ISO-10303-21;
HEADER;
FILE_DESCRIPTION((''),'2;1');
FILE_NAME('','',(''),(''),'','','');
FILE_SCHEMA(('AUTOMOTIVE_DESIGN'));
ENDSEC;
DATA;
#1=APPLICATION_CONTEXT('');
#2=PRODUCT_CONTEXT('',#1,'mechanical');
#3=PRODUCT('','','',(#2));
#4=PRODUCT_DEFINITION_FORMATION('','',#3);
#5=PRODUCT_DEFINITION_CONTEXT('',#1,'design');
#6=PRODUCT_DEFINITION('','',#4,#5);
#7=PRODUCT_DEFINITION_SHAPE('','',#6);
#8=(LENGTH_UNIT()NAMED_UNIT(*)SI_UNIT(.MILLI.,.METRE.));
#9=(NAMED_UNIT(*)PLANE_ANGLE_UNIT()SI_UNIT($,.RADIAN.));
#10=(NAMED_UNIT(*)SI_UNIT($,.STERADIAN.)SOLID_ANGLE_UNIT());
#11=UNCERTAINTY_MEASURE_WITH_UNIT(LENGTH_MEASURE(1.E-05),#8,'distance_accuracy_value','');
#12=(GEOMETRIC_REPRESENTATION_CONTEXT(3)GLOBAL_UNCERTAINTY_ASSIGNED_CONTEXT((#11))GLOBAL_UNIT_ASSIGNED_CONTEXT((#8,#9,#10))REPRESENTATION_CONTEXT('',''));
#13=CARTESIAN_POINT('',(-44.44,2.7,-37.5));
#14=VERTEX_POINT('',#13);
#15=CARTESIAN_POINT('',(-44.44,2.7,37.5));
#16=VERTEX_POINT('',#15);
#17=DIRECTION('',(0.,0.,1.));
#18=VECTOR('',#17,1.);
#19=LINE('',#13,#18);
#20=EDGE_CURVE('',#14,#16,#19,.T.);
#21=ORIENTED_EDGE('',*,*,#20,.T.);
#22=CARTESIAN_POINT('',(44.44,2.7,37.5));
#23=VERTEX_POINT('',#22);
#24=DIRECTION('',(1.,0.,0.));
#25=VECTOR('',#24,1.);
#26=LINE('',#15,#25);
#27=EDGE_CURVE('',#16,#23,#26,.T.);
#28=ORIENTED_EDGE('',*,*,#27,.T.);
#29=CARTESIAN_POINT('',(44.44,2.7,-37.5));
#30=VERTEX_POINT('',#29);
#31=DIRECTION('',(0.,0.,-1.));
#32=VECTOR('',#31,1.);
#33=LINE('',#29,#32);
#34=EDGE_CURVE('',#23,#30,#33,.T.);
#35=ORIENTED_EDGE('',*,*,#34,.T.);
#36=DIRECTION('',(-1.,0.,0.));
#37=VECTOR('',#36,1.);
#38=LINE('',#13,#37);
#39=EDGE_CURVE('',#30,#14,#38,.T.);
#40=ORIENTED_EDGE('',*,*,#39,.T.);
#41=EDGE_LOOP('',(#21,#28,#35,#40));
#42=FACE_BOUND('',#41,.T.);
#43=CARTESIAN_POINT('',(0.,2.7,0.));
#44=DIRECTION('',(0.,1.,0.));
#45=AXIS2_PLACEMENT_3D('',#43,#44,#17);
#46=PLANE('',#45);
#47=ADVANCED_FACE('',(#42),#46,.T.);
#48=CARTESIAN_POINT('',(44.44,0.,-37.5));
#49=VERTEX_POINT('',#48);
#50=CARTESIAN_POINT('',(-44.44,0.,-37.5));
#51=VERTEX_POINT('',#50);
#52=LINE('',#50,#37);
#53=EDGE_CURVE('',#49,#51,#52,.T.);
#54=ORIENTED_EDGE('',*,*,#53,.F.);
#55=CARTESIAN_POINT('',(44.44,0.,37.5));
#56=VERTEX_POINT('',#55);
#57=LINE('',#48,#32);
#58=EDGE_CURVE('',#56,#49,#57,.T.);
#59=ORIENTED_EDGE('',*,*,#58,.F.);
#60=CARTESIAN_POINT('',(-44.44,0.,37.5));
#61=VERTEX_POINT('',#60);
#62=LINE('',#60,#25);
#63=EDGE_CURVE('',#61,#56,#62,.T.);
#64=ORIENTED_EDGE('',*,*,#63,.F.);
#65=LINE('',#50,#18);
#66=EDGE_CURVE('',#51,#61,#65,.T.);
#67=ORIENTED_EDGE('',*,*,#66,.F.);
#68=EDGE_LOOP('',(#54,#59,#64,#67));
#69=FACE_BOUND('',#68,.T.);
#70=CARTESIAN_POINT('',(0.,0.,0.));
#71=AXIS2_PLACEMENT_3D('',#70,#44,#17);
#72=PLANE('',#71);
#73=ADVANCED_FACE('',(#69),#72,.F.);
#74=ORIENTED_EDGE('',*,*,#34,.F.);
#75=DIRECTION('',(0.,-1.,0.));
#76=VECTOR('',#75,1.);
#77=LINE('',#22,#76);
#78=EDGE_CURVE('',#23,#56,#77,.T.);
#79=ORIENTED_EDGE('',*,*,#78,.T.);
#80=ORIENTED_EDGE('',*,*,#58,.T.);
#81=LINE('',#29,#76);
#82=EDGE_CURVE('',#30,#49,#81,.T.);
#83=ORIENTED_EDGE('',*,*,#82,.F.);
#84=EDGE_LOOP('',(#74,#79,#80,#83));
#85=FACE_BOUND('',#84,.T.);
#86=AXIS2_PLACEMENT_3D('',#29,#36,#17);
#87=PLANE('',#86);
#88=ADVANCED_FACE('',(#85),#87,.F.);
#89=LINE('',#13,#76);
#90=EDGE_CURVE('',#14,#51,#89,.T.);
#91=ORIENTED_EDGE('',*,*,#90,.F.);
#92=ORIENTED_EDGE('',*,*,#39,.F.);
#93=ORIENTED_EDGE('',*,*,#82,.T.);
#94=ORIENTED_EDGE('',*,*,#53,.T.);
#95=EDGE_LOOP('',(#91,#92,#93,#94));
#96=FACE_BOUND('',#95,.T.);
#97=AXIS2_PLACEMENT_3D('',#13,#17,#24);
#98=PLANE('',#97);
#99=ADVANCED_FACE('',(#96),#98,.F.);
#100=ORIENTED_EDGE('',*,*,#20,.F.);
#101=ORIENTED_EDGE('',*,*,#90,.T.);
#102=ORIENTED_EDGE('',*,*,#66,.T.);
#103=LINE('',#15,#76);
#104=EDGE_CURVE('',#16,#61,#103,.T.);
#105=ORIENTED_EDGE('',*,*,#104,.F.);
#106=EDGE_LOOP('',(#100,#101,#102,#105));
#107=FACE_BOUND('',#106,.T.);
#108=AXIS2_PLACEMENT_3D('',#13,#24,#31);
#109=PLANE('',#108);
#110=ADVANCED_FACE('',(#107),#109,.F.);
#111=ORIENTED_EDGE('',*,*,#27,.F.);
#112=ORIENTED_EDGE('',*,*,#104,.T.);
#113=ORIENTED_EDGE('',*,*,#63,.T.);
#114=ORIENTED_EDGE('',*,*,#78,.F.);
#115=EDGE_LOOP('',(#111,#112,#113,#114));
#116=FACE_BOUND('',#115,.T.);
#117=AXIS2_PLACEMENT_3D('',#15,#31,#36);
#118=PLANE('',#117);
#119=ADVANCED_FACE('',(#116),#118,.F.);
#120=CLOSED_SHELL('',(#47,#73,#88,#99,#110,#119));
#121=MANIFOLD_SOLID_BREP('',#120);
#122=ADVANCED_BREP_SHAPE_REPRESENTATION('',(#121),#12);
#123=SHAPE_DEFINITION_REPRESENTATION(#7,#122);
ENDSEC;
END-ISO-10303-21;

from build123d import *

# Parameters (mm, degrees)
SKETCH1_W           = 88.88
SKETCH1_H           = 75
BOSS_EXTRUDE1_DEPTH = 2.7


with BuildPart() as part:
    # Sketch1 → Boss-Extrude1 (new body)
    with BuildSketch(Plane(origin=(0, 0, 0), x_dir=(1, 0, 0), z_dir=(0, 1, 0))):
        Rectangle(SKETCH1_W, SKETCH1_H)
    extrude(amount=BOSS_EXTRUDE1_DEPTH)


solid = part.part
